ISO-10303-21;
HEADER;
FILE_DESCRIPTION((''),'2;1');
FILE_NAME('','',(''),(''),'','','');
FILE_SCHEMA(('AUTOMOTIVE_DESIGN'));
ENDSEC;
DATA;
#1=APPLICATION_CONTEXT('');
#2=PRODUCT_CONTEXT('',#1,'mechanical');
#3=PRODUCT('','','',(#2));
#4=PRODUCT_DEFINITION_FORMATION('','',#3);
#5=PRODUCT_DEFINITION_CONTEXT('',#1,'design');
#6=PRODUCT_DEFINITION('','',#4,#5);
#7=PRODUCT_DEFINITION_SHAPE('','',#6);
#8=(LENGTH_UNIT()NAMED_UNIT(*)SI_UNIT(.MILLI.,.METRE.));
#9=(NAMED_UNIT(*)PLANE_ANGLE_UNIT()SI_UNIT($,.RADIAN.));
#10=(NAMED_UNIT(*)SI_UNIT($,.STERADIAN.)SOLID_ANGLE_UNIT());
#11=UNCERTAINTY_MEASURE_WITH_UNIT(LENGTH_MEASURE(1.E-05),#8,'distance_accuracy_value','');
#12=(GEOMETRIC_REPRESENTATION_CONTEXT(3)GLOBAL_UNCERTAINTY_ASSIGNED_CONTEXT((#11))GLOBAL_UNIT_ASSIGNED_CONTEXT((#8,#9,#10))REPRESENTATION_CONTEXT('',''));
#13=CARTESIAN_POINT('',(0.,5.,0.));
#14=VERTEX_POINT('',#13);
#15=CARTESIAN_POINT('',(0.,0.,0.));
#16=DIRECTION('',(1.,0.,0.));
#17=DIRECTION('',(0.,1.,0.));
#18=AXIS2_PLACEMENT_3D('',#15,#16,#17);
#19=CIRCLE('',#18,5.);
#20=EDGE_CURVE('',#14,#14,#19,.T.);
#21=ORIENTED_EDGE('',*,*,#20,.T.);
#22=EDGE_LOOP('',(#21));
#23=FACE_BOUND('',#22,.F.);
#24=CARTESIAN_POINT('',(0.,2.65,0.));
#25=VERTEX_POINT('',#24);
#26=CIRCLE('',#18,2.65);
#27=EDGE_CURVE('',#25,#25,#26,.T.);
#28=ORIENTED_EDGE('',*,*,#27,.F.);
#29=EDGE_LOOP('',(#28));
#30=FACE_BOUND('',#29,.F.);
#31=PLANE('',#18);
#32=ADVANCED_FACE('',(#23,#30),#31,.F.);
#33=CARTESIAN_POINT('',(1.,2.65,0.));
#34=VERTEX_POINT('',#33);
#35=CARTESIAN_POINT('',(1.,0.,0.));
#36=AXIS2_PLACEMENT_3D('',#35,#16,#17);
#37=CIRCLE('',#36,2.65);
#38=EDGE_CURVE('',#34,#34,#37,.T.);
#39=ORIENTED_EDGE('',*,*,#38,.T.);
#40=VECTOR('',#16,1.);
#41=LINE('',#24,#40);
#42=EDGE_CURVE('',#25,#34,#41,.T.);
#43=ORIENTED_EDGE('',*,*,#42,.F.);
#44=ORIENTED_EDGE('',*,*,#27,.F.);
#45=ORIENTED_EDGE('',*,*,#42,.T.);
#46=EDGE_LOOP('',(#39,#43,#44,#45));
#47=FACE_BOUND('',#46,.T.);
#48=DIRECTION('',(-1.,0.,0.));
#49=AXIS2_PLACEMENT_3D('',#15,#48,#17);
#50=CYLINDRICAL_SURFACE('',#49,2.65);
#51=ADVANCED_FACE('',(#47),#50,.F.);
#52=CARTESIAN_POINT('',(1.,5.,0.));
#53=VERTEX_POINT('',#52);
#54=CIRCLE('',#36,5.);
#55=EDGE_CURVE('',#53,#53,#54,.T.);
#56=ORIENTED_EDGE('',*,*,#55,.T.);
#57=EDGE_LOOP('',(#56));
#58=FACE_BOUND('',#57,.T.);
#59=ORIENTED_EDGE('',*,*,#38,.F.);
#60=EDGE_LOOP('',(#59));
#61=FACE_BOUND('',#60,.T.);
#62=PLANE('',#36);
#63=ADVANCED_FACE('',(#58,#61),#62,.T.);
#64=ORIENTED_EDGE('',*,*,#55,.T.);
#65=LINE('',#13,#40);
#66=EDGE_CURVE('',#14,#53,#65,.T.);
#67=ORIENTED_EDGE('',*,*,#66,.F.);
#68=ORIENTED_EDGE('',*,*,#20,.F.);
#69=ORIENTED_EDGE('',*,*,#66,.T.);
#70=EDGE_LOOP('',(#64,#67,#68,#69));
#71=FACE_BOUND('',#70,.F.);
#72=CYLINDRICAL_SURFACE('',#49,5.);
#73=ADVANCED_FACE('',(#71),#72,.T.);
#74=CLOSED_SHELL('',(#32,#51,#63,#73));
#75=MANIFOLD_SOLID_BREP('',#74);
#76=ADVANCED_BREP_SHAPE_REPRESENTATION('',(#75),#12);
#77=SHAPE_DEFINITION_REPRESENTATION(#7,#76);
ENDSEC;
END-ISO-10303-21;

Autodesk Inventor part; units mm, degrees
ref_plane "YZ Plane" through (0, 0, 0) normal (1, 0, 0) x (0, 1, 0)
ref_plane "XZ Plane" through (0, 0, 0) normal (0, 1, 0) x (-1, 0, 0)
sketch "Skizze" plane through (0, 0, 0) normal (1, 0, 0) x (0, 1, 0)
  circle A0 centre (0, 0) radius 5
  circle A1 centre (0, 0) radius 2.65
  dimension "d0" = 5.3
  dimension "d1" = 10
extrude "Körper" add sketch "Skizze" along normal blind 1
ref_plane "Work Plane1" through (0, 0, 0) normal (0, 0, 1) x (1, 0, 0)
equation "\"d0\" = SD1"
equation "\"d1\" = SD2"
equation "\"d2\" = SD"
equation "\"SD1\" = 5.3"
equation "\"SD2\" = 10"
equation "\"SD\" = 1"
equation "\"NND\" = 5"
properties part number "DIN 125-2 - B 5,3" material "Stahl, weich"
